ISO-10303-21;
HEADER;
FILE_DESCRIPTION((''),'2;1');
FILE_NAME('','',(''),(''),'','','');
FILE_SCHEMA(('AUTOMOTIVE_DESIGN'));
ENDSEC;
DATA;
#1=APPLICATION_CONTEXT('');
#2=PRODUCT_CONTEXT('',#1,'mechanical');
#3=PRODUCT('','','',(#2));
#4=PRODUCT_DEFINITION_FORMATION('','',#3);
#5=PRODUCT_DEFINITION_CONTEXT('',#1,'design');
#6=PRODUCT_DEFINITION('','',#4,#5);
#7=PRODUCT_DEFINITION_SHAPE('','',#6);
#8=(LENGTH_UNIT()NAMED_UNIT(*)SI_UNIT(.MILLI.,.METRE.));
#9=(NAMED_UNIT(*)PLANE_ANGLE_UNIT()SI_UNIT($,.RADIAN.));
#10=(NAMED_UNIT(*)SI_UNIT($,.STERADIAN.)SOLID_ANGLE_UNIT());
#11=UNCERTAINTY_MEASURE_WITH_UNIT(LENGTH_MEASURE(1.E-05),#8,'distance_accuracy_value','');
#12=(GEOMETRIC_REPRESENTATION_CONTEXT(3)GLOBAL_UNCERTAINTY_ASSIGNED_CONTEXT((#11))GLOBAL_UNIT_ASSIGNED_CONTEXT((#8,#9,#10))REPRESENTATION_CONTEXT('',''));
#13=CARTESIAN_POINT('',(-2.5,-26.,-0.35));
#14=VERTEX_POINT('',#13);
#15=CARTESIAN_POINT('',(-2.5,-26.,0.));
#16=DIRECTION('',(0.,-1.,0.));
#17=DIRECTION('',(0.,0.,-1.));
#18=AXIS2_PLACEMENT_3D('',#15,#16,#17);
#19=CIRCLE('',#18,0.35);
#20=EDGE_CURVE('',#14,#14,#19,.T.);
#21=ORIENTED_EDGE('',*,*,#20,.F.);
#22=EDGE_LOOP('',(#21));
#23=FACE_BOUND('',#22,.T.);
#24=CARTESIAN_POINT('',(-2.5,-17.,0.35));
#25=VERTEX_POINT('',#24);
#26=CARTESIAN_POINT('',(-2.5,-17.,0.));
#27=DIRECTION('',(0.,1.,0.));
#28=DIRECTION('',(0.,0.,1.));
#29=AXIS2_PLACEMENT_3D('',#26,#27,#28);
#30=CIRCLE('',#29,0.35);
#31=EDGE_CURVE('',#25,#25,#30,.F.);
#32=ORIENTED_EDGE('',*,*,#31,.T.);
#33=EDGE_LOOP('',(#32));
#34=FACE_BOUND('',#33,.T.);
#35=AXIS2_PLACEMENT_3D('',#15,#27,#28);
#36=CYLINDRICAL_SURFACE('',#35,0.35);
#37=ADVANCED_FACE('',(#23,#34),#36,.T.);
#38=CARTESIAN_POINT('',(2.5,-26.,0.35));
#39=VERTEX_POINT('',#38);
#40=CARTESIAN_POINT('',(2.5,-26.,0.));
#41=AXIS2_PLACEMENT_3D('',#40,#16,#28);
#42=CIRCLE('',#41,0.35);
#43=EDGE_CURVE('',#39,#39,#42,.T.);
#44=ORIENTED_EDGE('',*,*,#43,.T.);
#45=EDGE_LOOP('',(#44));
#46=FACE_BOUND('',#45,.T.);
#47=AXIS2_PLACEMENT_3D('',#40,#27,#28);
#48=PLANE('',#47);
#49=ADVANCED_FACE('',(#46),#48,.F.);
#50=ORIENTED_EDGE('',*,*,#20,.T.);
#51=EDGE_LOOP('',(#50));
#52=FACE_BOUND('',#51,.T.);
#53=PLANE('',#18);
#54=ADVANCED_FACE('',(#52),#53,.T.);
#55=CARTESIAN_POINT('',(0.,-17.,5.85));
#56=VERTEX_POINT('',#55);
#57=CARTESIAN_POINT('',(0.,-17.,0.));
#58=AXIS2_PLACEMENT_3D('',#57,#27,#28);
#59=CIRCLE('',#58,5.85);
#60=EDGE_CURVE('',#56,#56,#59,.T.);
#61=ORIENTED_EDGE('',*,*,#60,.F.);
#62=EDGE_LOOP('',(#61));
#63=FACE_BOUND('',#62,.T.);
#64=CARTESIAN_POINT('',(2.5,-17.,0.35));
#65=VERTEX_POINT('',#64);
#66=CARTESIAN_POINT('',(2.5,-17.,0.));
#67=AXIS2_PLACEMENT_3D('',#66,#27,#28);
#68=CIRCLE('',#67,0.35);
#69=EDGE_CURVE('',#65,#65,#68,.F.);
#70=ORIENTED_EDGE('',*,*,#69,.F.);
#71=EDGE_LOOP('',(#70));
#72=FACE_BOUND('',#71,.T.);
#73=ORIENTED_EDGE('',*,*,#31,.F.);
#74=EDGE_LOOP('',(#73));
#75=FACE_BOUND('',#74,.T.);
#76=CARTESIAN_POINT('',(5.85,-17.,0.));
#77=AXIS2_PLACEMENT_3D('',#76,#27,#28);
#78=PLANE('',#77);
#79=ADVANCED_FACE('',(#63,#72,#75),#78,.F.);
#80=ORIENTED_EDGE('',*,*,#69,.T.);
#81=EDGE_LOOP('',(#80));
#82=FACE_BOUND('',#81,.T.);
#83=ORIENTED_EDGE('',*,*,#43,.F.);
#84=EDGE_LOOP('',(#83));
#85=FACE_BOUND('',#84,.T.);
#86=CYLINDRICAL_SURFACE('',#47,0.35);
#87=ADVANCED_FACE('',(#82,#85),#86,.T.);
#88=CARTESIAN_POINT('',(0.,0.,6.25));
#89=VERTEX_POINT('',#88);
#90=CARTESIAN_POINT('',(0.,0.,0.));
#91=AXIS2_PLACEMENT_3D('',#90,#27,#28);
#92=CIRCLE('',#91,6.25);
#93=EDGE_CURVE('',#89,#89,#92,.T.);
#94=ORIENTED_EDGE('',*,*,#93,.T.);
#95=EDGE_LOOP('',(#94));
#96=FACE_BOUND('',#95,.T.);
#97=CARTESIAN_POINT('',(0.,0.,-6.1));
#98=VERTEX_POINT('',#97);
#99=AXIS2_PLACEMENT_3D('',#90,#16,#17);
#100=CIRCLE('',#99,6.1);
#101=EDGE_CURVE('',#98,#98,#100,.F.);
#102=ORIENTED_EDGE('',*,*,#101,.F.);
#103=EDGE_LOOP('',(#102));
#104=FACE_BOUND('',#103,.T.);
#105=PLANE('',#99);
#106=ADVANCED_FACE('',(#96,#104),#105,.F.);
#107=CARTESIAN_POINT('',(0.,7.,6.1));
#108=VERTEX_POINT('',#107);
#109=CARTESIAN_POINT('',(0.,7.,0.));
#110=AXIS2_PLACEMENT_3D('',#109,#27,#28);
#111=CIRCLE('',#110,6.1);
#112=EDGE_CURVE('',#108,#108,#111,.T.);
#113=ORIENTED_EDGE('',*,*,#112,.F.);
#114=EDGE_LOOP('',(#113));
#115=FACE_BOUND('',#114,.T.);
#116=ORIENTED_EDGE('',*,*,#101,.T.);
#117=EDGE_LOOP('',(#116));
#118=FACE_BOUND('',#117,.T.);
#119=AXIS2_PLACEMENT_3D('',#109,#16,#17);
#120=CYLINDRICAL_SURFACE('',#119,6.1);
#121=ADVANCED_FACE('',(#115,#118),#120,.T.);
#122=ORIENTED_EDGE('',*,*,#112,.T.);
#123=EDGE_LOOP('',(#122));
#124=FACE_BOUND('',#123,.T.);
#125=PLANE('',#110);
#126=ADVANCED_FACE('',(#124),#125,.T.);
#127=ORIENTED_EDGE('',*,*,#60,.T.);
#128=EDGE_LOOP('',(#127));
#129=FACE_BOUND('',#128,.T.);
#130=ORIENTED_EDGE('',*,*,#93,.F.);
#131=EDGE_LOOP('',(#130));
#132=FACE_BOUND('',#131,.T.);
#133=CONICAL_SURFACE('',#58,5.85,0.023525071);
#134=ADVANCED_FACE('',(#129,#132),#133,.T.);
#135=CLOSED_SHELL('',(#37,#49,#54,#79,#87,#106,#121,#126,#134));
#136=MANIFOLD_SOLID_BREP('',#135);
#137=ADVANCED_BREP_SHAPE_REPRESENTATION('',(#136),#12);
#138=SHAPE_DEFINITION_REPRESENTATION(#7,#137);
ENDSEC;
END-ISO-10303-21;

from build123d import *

# Parameters (mm, degrees)
SKETCH2_R           = 6.1
BOSS_EXTRUDE1_DEPTH = 7
SKETCH3_R           = 0.35
BOSS_EXTRUDE2_DEPTH = 9


with BuildPart() as part:
    # Sketch1 → Revolve1 (revolve)
    with BuildSketch(Plane.XY, mode=Mode.PRIVATE) as revolve1_sk:
        Polygon((0, 0), (6.25, 0), (5.85, -17), (0, -17), align=None)
    revolve(revolve1_sk.sketch.rotate(Axis((0, 0, 0), (0, -1, 0)), 90), axis=Axis((0, 0, 0), (0, -1, 0)))

    # Sketch2 → Boss-Extrude1 (add)
    with BuildSketch(Plane(origin=(0, 0, 0), x_dir=(1, 0, 0), z_dir=(0, 1, 0))):
        with Locations(Location((0, 0, 0), (0, 0, 90))):
            Circle(SKETCH2_R)
    extrude(amount=BOSS_EXTRUDE1_DEPTH)

    # Sketch3 → Boss-Extrude2 (add)
    with BuildSketch(Plane.XZ.offset(17)):
        with Locations(Location((-2.5, 0, 0), (0, 0, 90))):
            Circle(SKETCH3_R)
        with Locations(Location((2.5, 0, 0), (0, 0, 90))):
            Circle(SKETCH3_R)
    extrude(amount=BOSS_EXTRUDE2_DEPTH)


solid = part.part
